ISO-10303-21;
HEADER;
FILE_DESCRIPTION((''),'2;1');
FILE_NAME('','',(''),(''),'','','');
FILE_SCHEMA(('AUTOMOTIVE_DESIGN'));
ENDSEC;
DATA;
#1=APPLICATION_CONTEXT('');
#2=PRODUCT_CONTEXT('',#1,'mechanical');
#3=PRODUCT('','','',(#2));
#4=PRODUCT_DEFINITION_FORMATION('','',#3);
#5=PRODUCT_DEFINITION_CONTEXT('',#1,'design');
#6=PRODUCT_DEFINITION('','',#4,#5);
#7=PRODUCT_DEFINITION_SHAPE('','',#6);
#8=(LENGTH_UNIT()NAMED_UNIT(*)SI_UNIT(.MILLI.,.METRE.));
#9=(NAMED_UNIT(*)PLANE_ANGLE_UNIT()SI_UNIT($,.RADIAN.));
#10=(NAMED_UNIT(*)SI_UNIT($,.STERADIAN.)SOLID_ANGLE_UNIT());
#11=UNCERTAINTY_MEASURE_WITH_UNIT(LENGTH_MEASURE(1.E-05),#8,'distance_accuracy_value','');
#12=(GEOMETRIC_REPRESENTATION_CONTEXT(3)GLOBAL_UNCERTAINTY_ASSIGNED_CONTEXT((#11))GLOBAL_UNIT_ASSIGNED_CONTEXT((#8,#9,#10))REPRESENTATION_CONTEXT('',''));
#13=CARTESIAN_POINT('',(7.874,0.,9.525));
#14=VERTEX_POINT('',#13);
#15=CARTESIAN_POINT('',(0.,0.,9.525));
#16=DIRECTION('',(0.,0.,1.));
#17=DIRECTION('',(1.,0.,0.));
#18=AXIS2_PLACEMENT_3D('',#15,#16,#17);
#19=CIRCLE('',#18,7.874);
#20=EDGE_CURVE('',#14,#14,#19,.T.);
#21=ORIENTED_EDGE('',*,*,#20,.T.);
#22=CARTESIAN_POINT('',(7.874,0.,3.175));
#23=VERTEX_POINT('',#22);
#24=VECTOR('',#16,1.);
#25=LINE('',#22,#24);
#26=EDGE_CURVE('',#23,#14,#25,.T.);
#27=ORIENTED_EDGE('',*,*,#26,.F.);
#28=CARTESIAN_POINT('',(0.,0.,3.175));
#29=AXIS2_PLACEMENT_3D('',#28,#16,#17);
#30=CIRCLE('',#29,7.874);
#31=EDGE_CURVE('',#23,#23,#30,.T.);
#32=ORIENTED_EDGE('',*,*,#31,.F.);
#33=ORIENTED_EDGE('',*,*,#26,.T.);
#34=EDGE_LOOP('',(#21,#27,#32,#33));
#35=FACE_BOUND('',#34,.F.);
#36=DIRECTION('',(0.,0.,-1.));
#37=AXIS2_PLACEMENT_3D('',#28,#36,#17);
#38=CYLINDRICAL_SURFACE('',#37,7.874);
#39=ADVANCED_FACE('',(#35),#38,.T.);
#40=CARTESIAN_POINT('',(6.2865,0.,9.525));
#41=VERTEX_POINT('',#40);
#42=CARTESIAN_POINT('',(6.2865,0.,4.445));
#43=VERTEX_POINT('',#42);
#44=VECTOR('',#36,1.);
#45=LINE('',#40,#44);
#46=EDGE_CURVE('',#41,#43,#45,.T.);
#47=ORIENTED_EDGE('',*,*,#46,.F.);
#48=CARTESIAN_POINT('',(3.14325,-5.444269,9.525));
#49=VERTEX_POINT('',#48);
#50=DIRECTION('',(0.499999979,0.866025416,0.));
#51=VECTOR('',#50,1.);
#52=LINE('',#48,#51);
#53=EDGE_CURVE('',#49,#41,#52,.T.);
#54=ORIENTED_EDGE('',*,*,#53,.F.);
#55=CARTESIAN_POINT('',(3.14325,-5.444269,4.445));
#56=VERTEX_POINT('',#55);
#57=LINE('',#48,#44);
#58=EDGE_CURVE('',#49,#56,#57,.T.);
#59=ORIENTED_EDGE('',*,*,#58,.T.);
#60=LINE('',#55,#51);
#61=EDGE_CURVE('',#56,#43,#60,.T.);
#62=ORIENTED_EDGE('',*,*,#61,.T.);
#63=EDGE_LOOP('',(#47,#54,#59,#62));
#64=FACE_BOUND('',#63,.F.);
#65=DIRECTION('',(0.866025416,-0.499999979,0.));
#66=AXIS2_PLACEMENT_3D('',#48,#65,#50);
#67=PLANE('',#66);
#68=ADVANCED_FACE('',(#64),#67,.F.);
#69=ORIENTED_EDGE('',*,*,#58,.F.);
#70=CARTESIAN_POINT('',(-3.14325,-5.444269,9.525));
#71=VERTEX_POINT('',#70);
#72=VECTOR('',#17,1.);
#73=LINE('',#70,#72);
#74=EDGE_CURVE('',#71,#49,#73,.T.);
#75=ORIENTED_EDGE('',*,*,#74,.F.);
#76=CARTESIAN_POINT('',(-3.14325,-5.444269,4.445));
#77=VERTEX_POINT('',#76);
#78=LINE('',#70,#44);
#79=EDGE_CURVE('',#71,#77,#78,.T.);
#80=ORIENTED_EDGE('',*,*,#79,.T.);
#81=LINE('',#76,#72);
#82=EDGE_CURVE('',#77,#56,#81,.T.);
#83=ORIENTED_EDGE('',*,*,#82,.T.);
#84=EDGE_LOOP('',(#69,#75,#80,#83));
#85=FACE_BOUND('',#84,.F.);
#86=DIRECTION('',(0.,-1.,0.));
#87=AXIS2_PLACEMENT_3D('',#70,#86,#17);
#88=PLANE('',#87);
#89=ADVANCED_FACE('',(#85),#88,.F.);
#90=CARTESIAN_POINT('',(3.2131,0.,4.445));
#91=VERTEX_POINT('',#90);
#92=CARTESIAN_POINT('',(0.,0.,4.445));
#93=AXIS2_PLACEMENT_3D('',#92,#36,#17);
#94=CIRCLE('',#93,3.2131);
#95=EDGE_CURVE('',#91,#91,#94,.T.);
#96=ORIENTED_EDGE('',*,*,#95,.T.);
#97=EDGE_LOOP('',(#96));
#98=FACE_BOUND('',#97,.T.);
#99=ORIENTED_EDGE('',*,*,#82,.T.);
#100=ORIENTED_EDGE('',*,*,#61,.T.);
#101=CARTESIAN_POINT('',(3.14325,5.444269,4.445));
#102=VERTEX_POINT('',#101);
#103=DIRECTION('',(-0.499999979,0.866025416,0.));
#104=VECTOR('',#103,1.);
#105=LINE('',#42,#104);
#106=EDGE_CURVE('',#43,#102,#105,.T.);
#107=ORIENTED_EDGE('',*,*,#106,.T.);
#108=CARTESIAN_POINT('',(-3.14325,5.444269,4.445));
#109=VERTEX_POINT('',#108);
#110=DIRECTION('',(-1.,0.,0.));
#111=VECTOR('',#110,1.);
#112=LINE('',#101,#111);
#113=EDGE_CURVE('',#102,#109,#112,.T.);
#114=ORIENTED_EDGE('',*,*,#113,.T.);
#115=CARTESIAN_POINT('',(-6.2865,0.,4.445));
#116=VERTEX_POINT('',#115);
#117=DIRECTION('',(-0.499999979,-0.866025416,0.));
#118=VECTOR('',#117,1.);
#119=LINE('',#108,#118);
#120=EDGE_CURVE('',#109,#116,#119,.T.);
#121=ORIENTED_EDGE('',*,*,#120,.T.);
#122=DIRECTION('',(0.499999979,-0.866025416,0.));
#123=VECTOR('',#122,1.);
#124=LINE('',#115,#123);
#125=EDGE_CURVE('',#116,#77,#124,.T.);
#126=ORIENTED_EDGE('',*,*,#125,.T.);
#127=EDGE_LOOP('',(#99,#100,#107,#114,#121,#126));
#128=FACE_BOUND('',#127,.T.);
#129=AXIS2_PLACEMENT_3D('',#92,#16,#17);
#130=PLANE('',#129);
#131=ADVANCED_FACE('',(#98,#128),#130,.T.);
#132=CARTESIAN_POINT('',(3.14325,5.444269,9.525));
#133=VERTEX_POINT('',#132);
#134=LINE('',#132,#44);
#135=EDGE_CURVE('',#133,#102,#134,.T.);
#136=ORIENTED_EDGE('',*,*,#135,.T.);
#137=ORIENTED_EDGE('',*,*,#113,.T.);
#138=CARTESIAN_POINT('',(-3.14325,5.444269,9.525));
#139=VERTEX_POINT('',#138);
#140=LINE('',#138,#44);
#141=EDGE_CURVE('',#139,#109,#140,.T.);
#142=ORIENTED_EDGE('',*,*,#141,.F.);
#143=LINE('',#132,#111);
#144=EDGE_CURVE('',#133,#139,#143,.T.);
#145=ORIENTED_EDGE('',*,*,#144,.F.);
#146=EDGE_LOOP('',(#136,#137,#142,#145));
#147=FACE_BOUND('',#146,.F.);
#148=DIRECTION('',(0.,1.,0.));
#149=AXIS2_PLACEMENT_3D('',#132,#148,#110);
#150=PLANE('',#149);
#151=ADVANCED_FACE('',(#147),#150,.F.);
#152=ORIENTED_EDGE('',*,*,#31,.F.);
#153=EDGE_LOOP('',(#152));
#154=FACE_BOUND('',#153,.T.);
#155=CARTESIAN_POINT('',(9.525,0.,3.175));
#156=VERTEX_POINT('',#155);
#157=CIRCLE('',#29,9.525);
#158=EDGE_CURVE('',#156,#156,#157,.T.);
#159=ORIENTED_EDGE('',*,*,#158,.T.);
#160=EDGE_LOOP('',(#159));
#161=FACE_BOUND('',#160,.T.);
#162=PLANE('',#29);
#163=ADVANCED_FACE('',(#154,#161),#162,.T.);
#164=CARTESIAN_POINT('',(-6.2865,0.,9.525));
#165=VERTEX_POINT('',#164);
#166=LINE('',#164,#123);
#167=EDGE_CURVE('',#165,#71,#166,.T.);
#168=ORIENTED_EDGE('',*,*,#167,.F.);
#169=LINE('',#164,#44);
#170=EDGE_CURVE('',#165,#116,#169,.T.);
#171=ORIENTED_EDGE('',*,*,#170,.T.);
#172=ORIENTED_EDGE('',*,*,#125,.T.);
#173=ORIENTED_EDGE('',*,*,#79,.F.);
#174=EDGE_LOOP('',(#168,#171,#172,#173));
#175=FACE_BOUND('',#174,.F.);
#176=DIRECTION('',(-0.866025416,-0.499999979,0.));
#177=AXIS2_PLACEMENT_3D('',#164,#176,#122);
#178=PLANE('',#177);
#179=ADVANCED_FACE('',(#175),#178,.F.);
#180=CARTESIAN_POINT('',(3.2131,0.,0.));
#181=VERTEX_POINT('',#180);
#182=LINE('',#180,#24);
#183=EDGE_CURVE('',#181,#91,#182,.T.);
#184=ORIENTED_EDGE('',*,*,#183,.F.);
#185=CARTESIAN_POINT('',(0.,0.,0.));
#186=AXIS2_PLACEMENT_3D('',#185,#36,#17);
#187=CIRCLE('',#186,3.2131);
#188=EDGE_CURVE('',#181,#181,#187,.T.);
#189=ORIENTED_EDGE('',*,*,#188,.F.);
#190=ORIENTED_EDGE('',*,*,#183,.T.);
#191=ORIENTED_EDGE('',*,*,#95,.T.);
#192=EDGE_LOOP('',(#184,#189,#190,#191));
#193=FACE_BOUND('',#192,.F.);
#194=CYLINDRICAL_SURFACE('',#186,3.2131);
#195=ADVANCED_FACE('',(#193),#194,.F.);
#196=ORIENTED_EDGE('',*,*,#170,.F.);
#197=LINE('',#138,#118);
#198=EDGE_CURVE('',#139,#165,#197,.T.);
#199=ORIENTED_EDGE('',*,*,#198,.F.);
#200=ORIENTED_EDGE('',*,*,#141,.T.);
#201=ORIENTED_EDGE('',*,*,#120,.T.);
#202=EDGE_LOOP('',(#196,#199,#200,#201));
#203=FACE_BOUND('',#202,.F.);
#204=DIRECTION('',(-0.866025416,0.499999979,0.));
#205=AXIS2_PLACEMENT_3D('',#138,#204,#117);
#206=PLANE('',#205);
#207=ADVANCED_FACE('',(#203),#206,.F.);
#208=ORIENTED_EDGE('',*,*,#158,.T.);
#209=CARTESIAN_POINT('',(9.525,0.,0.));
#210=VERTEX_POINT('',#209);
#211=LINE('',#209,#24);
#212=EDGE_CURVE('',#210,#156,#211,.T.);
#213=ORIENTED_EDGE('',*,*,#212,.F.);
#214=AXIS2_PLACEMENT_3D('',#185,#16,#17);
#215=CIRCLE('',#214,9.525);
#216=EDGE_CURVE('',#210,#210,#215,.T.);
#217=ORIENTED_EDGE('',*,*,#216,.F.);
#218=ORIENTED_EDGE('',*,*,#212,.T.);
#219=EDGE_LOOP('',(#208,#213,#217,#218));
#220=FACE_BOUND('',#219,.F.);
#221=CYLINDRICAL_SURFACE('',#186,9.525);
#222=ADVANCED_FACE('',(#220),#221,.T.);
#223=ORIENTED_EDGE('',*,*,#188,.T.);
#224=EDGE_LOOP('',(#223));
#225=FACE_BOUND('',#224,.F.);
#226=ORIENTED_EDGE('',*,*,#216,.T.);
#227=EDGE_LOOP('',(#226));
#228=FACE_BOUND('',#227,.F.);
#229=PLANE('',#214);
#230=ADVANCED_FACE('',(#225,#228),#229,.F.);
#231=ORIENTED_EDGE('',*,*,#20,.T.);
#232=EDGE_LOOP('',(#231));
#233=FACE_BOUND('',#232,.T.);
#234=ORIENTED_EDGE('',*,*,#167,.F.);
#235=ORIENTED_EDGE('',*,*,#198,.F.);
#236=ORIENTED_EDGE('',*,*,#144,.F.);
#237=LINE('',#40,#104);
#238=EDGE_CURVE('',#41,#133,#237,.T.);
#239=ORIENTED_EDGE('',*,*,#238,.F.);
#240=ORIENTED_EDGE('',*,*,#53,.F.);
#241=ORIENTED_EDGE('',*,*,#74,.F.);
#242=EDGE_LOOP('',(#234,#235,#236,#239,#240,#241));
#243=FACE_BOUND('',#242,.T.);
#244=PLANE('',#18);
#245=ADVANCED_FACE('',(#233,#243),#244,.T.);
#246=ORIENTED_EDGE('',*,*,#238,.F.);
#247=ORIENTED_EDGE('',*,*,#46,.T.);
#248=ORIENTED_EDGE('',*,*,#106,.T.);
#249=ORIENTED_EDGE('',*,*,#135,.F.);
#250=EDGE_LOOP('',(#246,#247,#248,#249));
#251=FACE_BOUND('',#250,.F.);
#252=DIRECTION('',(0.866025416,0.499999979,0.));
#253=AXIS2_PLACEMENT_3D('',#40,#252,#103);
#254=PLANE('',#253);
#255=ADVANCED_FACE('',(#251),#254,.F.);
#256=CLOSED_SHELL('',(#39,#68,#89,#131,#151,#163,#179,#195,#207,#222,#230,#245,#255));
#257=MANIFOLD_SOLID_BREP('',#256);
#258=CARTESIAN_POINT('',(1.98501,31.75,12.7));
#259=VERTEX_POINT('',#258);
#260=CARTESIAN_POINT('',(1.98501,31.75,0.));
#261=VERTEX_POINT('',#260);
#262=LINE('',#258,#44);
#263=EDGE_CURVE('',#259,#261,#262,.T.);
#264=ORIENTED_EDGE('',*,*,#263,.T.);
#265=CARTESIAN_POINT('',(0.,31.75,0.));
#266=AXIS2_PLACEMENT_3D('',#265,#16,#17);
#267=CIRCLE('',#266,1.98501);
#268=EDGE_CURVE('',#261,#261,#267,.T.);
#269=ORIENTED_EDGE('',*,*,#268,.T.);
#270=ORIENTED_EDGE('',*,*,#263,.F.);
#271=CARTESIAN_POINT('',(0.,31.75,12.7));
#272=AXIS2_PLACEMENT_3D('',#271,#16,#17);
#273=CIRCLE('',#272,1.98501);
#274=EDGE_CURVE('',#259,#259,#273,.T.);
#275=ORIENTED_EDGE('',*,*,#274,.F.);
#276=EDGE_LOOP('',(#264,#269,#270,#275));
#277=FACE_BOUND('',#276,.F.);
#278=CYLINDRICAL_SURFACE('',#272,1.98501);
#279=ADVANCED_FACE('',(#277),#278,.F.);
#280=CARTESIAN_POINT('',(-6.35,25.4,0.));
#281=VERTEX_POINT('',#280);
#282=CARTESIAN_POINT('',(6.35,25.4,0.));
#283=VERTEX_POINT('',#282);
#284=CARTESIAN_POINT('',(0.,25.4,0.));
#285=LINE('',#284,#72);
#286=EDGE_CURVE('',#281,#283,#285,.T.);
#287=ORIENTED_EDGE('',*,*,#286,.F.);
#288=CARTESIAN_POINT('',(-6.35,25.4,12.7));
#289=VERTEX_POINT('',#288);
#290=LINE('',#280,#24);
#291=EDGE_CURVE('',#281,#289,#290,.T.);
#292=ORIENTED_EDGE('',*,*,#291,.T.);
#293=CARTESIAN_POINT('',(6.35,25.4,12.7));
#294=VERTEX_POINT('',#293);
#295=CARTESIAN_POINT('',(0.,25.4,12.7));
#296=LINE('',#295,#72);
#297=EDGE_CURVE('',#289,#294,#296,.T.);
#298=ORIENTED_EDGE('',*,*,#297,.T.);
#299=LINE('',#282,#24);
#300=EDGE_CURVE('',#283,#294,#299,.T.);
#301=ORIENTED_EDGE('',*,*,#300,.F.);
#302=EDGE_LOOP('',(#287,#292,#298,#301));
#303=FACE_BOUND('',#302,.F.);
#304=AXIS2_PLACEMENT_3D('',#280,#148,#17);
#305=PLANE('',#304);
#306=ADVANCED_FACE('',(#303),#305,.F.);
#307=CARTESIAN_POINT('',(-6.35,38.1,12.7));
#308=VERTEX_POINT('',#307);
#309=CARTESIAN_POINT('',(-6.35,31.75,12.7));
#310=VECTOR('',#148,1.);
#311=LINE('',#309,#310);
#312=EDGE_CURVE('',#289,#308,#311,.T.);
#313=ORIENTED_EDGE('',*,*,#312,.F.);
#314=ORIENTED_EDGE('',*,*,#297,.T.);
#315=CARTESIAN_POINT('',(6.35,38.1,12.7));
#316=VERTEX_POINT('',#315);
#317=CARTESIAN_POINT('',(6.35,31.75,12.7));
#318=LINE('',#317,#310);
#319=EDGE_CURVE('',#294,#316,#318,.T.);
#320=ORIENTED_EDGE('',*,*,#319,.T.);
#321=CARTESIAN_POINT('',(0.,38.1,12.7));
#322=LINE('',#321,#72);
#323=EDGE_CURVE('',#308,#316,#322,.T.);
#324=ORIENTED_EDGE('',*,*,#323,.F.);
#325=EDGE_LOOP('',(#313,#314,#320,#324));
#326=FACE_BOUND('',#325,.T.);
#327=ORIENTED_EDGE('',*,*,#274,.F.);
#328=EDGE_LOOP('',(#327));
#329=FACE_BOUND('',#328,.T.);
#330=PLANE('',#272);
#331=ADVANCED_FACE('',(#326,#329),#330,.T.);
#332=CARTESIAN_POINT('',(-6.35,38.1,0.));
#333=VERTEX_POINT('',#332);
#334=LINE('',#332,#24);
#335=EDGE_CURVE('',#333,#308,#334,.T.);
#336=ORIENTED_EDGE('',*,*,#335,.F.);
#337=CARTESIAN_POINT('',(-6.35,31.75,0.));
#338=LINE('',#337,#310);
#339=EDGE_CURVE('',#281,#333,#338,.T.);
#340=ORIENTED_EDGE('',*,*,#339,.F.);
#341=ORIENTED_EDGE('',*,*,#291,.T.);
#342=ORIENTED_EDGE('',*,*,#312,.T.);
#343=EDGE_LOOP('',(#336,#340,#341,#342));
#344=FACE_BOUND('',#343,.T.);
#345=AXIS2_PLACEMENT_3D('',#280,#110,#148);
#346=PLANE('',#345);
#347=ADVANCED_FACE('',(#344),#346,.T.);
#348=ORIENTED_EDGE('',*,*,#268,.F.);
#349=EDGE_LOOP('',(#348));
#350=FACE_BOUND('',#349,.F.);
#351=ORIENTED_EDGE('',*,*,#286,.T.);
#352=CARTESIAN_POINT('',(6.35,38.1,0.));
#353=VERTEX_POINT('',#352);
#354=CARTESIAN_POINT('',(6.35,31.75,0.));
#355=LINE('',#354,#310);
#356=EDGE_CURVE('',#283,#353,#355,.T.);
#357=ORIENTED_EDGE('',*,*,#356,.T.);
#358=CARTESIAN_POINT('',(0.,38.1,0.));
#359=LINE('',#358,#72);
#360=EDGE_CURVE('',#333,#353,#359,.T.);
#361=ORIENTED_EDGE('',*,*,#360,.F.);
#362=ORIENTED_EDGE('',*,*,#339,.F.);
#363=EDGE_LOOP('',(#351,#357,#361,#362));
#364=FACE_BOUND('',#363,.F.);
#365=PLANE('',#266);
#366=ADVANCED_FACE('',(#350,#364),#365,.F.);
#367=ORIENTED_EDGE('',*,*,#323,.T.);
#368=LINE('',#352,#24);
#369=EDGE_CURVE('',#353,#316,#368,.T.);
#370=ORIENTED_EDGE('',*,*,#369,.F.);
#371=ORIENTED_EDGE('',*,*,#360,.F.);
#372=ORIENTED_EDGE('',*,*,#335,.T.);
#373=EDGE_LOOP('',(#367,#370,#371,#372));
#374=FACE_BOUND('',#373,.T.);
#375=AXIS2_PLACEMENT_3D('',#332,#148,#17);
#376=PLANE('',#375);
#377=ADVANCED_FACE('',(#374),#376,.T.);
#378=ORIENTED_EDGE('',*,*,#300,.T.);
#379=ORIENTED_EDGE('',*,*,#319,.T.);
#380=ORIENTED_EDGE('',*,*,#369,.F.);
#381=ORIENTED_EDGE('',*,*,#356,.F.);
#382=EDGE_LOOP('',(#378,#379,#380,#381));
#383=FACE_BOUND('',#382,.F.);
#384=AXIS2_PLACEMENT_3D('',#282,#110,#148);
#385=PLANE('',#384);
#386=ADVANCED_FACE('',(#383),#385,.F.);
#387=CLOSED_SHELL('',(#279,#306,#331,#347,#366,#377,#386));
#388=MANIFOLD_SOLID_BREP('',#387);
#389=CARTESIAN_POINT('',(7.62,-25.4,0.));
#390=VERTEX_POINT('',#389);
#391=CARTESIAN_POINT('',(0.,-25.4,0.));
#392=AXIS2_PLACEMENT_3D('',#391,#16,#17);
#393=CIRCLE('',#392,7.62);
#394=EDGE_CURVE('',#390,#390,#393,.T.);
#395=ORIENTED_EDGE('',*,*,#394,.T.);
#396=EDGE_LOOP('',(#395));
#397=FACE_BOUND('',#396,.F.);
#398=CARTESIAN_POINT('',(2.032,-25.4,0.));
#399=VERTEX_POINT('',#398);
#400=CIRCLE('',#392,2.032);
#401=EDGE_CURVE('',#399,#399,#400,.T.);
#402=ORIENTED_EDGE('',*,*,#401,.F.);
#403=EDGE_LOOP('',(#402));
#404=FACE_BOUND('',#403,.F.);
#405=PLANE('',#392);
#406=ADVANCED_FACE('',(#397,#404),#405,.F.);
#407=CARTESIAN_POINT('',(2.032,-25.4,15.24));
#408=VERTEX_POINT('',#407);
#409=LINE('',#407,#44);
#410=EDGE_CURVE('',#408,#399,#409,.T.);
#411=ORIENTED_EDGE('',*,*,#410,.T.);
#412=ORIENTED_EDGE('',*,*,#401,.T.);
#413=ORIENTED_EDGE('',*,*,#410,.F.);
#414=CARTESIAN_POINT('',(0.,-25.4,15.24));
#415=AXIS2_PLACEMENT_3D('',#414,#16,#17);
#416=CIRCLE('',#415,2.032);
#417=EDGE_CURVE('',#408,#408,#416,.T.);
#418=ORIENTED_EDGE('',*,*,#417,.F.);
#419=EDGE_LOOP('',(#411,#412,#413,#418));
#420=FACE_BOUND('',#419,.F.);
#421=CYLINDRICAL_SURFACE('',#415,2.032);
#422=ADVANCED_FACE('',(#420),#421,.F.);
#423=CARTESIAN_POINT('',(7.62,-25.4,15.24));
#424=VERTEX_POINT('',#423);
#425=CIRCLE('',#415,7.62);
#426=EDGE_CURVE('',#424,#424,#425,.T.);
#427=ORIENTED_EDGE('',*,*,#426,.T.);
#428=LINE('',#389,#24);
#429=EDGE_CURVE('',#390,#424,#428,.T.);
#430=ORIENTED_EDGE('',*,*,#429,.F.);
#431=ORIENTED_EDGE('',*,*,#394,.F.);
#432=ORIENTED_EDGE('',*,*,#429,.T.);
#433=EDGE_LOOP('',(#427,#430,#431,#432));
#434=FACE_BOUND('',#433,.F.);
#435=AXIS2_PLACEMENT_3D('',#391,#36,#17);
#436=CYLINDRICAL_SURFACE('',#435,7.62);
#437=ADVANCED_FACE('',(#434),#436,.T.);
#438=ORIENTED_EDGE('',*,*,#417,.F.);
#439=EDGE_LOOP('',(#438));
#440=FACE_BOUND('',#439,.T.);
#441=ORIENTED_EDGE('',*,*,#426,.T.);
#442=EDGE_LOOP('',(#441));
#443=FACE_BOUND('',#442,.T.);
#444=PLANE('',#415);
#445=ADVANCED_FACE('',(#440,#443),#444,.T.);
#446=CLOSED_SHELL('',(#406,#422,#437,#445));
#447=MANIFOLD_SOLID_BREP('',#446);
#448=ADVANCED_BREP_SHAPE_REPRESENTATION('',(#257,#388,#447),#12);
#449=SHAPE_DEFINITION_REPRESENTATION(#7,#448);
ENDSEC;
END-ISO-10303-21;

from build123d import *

# Parameters (mm, degrees)
F0_R      = 9.525
F1_DEPTH  = 3.175
F2_R      = 7.874
F3_DEPTH  = 6.35
F5_DEPTH  = 5.08
F6_R      = 3.2131
F7_DEPTH  = 9.526
F8_W      = 12.7
F8_H      = 12.7
F9_DEPTH  = 12.7
F10_R     = 1.98501
F11_DEPTH = 12.701
F12_R     = 7.62
F13_DEPTH = 15.24
F14_R     = 2.032
F15_DEPTH = 15.241


with BuildPart() as f1:
    # F0 (on Top) → F1 (new body)
    with BuildSketch(Plane.XY):
        Circle(F0_R)
    extrude(amount=F1_DEPTH)

    # F2 (on face) → F3 (join)
    with BuildSketch(Plane.XY.offset(3.175)):
        Circle(F2_R)
    extrude(amount=F3_DEPTH)

    # F4 (on face) → F5 (cut)
    with BuildSketch(Plane.XY.offset(9.525)):
        Polygon((6.2865, 0), (3.14325, 5.444269), (-3.14325, 5.444269), (-6.2865, 0), (-3.14325, -5.444269), (3.14325, -5.444269), align=None)
    extrude(amount=-F5_DEPTH, mode=Mode.SUBTRACT)

    # F6 (on face) → F7 (cut, through all)
    with BuildSketch(Plane(origin=(0, 0, 0), x_dir=(1, 0, 0), z_dir=(0, 0, -1))):
        Circle(F6_R)
    extrude(amount=-F7_DEPTH, mode=Mode.SUBTRACT)


with BuildPart() as f9:
    # F8 (on Top) → F9 (new body)
    with BuildSketch(Plane.XY):
        with Locations((0, 31.75)):
            Rectangle(F8_W, F8_H)
    extrude(amount=F9_DEPTH)

    # F10 (on face) → F11 (cut, through all)
    with BuildSketch(Plane.XY.offset(12.7)):
        with Locations((0, 31.75)):
            Circle(F10_R)
    extrude(amount=-F11_DEPTH, mode=Mode.SUBTRACT)


with BuildPart() as f13:
    # F12 (on Top) → F13 (new body)
    with BuildSketch(Plane.XY):
        with Locations((0, -25.4)):
            Circle(F12_R)
    extrude(amount=F13_DEPTH)

    # F14 (on face) → F15 (cut, through all)
    with BuildSketch(Plane.XY.offset(15.24)):
        with Locations((0, -25.4)):
            Circle(F14_R)
    extrude(amount=-F15_DEPTH, mode=Mode.SUBTRACT)


solid = Compound([f1.part, f9.part, f13.part])
